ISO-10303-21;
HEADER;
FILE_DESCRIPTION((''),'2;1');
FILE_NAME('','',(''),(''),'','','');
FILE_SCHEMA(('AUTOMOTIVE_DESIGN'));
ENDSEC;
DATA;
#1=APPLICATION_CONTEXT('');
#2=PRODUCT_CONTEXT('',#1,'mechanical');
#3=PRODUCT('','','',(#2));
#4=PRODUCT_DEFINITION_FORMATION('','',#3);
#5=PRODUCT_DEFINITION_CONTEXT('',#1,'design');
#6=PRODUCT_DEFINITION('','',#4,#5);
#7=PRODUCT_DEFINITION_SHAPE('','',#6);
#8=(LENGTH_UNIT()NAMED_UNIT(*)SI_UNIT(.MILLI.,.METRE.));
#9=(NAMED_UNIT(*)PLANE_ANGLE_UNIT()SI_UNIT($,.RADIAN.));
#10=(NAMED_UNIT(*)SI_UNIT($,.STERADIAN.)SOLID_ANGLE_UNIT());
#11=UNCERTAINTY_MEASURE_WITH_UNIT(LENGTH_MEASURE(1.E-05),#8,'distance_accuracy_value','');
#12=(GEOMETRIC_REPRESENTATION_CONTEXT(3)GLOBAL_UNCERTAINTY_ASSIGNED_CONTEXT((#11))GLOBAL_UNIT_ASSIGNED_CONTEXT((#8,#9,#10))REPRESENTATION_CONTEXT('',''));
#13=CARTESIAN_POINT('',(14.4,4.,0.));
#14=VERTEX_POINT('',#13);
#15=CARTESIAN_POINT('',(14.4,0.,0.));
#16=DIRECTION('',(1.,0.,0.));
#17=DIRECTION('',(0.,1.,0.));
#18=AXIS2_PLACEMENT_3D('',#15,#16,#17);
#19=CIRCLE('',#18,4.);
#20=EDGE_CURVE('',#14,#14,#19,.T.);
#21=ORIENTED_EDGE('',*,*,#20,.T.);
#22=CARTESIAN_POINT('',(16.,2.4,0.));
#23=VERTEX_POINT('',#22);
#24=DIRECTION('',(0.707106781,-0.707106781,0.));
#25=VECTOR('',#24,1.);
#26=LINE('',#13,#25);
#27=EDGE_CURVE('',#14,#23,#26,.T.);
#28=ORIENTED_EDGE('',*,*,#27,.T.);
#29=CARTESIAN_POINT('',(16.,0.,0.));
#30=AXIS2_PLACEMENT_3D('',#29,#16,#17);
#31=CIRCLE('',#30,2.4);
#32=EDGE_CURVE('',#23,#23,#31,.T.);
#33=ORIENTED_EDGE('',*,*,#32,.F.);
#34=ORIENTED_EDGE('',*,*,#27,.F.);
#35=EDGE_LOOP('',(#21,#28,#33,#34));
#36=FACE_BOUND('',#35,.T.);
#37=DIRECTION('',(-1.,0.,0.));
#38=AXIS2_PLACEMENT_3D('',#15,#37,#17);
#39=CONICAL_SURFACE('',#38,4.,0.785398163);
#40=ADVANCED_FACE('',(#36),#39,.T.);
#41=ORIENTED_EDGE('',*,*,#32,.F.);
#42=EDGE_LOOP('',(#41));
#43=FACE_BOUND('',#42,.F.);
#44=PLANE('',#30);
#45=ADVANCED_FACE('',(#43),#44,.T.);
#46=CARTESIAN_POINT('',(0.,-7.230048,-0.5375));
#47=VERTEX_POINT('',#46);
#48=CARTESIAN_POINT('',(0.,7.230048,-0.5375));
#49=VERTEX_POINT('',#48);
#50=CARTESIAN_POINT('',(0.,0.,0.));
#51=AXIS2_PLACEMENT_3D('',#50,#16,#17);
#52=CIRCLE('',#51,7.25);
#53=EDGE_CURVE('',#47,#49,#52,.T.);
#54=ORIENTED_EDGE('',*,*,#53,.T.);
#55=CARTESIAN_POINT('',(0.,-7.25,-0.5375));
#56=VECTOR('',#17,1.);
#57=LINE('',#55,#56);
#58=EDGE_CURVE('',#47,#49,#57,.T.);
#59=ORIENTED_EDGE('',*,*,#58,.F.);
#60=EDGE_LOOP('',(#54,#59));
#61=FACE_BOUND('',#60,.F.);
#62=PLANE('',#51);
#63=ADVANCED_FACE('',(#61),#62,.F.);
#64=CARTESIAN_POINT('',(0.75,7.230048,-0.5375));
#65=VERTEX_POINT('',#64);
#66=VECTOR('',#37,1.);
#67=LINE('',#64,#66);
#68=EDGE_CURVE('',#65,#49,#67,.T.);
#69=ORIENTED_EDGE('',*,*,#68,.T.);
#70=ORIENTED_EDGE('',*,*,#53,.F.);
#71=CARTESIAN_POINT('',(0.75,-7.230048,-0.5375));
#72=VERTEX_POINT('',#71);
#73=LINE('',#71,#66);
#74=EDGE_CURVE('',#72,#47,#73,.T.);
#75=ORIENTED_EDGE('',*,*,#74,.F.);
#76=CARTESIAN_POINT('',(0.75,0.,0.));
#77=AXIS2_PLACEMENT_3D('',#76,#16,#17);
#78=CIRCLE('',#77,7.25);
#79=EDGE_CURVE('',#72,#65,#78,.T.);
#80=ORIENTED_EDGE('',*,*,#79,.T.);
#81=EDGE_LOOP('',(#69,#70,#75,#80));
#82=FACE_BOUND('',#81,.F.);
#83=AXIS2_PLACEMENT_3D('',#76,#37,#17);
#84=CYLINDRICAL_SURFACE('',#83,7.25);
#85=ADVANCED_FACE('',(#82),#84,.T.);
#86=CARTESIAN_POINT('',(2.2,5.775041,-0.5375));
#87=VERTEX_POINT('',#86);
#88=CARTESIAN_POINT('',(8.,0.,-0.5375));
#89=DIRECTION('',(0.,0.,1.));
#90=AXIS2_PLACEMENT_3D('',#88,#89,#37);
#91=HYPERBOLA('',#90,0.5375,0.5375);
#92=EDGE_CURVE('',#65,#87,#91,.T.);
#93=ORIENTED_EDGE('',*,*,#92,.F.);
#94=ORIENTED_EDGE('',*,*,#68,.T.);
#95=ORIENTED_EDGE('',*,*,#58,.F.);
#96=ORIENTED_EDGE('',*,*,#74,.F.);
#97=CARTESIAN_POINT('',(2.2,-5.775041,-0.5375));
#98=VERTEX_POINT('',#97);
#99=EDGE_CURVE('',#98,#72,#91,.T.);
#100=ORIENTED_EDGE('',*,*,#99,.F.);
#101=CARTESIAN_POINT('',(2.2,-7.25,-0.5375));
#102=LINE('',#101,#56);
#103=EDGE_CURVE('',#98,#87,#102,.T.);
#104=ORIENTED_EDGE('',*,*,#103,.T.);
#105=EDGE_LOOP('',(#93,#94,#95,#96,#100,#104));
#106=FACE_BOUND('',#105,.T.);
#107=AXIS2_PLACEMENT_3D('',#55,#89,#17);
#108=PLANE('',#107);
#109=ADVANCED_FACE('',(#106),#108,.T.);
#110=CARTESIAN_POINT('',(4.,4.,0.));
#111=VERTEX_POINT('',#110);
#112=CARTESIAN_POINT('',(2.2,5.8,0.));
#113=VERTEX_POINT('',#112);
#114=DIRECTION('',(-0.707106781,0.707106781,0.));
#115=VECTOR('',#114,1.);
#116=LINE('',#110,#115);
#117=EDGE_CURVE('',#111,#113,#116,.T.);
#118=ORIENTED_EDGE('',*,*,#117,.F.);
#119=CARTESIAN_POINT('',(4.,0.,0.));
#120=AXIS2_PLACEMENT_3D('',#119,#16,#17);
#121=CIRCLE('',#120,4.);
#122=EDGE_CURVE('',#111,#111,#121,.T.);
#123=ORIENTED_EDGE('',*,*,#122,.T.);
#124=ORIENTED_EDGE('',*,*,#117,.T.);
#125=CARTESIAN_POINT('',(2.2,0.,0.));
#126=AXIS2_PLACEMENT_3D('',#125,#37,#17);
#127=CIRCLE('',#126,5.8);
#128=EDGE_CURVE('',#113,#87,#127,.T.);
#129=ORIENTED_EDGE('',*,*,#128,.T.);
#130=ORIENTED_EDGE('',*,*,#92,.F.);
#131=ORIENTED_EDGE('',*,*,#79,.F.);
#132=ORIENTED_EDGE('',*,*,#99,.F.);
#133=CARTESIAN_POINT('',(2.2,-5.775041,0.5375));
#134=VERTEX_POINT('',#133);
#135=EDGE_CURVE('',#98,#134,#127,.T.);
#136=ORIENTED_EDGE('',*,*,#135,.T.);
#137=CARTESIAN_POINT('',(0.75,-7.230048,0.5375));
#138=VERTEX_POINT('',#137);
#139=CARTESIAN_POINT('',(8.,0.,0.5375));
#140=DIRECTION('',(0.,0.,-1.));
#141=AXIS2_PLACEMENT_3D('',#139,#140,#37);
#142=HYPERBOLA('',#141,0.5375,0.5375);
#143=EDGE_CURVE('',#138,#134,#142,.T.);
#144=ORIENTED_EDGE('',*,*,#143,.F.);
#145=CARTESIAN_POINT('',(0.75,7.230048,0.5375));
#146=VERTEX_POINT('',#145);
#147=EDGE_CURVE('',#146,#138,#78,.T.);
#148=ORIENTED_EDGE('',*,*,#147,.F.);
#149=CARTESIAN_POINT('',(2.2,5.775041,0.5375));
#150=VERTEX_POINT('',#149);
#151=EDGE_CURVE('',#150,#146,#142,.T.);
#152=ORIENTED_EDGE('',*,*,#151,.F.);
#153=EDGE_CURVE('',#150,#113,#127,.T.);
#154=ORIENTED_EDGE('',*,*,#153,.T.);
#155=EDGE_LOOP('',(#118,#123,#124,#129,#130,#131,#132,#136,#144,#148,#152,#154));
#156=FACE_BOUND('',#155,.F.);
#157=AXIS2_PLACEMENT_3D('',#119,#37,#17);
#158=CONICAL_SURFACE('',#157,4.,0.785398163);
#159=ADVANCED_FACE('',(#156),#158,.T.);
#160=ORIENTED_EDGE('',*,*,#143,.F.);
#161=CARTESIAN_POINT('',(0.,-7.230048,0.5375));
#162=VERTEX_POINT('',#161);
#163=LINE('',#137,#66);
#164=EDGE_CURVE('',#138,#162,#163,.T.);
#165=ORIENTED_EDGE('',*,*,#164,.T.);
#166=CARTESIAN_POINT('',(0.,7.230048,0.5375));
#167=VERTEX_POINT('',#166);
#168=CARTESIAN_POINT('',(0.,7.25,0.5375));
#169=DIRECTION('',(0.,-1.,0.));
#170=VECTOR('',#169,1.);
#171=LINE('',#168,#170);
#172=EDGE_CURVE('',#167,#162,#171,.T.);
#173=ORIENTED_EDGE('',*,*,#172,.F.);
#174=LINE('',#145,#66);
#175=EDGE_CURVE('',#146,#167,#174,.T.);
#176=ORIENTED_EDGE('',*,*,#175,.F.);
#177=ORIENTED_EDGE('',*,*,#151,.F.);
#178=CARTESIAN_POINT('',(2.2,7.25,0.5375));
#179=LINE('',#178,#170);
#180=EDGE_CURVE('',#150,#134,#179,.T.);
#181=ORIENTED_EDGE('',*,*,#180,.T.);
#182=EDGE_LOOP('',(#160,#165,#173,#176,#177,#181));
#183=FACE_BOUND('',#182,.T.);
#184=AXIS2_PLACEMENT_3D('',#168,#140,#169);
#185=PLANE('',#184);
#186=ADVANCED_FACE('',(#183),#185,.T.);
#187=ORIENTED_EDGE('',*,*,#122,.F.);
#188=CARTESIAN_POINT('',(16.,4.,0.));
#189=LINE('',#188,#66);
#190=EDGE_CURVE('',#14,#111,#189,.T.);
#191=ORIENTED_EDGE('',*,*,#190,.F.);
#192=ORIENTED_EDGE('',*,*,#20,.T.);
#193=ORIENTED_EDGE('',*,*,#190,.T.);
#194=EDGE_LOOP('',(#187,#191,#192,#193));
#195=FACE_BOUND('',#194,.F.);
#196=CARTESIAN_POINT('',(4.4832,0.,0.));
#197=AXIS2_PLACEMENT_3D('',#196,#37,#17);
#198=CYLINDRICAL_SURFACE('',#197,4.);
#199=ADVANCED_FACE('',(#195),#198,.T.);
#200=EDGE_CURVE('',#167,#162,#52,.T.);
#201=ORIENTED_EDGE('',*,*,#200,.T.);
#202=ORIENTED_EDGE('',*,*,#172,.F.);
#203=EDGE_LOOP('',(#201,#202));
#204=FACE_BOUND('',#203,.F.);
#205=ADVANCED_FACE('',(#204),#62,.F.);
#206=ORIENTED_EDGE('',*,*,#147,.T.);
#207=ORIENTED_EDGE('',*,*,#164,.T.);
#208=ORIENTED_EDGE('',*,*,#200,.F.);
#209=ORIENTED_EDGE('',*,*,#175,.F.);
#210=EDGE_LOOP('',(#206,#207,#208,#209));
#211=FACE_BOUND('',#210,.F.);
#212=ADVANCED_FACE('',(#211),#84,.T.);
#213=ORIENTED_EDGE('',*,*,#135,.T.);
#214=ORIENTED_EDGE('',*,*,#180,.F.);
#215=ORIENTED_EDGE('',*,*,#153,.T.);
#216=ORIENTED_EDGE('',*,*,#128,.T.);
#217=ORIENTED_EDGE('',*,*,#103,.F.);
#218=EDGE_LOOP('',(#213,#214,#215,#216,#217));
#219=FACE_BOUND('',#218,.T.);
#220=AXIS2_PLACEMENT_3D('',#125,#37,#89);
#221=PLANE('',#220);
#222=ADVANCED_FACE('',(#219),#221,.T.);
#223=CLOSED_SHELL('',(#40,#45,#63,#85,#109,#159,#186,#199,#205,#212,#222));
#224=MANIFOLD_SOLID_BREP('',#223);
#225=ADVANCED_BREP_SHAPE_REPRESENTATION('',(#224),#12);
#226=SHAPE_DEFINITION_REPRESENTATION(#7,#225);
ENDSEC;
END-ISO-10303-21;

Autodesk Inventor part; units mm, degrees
ref_plane "YZ Plane" through (0, 0, 0) normal (1, 0, 0) x (0, 1, 0)
ref_plane "XZ Plane" through (0, 0, 0) normal (0, 1, 0) x (-1, 0, 0)
sketch "Эскиз1" plane through (0, 0, 0) normal (0, 0, 1) x (1, 0, 0)
  line L0 (0, 0) -> (16, 0)
  line L1 (16, 0) -> (16, 4)
  line L2 (16, 4) -> (5.25, 4)
  line L3 (5.25, 4) -> (4.4832, 4)
  line L4 (4.4832, 4) -> (4, 4)
  line L5 (4, 4) -> (0.75, 7.25)
  line L6 (0.75, 7.25) -> (0, 7.25)
  line L7 (0, 7.25) -> (0, 0)
  line L8 (5.25, 4) -> (4, 4) construction
  line L9 (-3.2, 0) -> (19.2, 0) projected
  line L10 (0, 8.7) -> (0, -1.45) projected
  point P0 (4, 4)
  dimension "d0" = 16
  dimension "d1" = 45
  dimension "d2" = 0.7668
  dimension "d3" = 10.75
  dimension "d4" = 4
  dimension "d5" = 8
  dimension "d6" = 8
  dimension "d7" = 14.5
revolve "Базовый элемент" add sketch "Эскиз1" angle 360 about axis through (0, 0, 0) along (1, 0, 0)
sketch "Эскиз2" plane through (0, 0, 0) normal (-1, 0, 0) x (0, 0, 1)
  line L0 (0.5375, 7.25) -> (0.5375, -7.25)
  line L1 (0.5375, -7.25) -> (-0.5375, -7.25)
  line L2 (-0.5375, -7.25) -> (-0.5375, 7.25)
  line L3 (-0.5375, 7.25) -> (0.5375, 7.25)
  line L4 (-0.5375, 0) -> (0.5375, 0) construction
  line L5 (0, -7.25) -> (0, 7.25) construction
  line L6 (0, 7.25) -> (0, 0) projected
  dimension "d15" = 1.075
  dimension "d16" = 14.5
extrude "Паз" cut sketch "Эскиз2" against normal blind 2.2
thread "Резьба" size "M8x1.25" class "6g" standard "ISO Metric profile" length 12
ref_plane "Work Plane1" through (33.575, 0, 0) normal (0, 0, -1) x (1, 0, 0)
chamfer "Фаска2" distance 1.6 angle 45 1 edges at (16, -4, 0)
equation "\"d0\" = NLG"
equation "\"d2\" = GAL"
equation "\"d3\" = GEL"
equation "\"d5\" = BDM"
equation "\"d6\" = GD"
equation "\"d15\" = SBR"
equation "\"d16\" = KOD"
equation "\"NLG\" = 16"
equation "\"GAL\" = 0.61345 * PTC"
equation "\"GEL\" = 10.75"
equation "\"KOH\" = 4"
equation "\"KOD\" = 14.5"
equation "\"SEWI\" = 90deg"
equation "\"BDM\" = NND"
equation "\"GD\" = NND"
equation "\"SBR\" = 1.075"
equation "\"STI\" = 3.8"
equation "\"SPD\" = NND - 1.2269 * PTC"
equation "\"GUL\" = 0.61345 * PTC"
equation "\"PTC\" = 1.25"
equation "\"EPV\" = 8"
equation "\"THREADDIA\" = 8"
equation "\"TOA\" = 30deg"
equation "\"FAWI\" = 45deg"
equation "\"RR\" = 0.1 * NND"
equation "\"NND\" = 8"
equation "\"GD1\" = THREADDIA - 1.2269 * PTC"
properties part number "Винт M8-6gx16 ГОСТ 17475-80" material "Сталь, мягкая"
